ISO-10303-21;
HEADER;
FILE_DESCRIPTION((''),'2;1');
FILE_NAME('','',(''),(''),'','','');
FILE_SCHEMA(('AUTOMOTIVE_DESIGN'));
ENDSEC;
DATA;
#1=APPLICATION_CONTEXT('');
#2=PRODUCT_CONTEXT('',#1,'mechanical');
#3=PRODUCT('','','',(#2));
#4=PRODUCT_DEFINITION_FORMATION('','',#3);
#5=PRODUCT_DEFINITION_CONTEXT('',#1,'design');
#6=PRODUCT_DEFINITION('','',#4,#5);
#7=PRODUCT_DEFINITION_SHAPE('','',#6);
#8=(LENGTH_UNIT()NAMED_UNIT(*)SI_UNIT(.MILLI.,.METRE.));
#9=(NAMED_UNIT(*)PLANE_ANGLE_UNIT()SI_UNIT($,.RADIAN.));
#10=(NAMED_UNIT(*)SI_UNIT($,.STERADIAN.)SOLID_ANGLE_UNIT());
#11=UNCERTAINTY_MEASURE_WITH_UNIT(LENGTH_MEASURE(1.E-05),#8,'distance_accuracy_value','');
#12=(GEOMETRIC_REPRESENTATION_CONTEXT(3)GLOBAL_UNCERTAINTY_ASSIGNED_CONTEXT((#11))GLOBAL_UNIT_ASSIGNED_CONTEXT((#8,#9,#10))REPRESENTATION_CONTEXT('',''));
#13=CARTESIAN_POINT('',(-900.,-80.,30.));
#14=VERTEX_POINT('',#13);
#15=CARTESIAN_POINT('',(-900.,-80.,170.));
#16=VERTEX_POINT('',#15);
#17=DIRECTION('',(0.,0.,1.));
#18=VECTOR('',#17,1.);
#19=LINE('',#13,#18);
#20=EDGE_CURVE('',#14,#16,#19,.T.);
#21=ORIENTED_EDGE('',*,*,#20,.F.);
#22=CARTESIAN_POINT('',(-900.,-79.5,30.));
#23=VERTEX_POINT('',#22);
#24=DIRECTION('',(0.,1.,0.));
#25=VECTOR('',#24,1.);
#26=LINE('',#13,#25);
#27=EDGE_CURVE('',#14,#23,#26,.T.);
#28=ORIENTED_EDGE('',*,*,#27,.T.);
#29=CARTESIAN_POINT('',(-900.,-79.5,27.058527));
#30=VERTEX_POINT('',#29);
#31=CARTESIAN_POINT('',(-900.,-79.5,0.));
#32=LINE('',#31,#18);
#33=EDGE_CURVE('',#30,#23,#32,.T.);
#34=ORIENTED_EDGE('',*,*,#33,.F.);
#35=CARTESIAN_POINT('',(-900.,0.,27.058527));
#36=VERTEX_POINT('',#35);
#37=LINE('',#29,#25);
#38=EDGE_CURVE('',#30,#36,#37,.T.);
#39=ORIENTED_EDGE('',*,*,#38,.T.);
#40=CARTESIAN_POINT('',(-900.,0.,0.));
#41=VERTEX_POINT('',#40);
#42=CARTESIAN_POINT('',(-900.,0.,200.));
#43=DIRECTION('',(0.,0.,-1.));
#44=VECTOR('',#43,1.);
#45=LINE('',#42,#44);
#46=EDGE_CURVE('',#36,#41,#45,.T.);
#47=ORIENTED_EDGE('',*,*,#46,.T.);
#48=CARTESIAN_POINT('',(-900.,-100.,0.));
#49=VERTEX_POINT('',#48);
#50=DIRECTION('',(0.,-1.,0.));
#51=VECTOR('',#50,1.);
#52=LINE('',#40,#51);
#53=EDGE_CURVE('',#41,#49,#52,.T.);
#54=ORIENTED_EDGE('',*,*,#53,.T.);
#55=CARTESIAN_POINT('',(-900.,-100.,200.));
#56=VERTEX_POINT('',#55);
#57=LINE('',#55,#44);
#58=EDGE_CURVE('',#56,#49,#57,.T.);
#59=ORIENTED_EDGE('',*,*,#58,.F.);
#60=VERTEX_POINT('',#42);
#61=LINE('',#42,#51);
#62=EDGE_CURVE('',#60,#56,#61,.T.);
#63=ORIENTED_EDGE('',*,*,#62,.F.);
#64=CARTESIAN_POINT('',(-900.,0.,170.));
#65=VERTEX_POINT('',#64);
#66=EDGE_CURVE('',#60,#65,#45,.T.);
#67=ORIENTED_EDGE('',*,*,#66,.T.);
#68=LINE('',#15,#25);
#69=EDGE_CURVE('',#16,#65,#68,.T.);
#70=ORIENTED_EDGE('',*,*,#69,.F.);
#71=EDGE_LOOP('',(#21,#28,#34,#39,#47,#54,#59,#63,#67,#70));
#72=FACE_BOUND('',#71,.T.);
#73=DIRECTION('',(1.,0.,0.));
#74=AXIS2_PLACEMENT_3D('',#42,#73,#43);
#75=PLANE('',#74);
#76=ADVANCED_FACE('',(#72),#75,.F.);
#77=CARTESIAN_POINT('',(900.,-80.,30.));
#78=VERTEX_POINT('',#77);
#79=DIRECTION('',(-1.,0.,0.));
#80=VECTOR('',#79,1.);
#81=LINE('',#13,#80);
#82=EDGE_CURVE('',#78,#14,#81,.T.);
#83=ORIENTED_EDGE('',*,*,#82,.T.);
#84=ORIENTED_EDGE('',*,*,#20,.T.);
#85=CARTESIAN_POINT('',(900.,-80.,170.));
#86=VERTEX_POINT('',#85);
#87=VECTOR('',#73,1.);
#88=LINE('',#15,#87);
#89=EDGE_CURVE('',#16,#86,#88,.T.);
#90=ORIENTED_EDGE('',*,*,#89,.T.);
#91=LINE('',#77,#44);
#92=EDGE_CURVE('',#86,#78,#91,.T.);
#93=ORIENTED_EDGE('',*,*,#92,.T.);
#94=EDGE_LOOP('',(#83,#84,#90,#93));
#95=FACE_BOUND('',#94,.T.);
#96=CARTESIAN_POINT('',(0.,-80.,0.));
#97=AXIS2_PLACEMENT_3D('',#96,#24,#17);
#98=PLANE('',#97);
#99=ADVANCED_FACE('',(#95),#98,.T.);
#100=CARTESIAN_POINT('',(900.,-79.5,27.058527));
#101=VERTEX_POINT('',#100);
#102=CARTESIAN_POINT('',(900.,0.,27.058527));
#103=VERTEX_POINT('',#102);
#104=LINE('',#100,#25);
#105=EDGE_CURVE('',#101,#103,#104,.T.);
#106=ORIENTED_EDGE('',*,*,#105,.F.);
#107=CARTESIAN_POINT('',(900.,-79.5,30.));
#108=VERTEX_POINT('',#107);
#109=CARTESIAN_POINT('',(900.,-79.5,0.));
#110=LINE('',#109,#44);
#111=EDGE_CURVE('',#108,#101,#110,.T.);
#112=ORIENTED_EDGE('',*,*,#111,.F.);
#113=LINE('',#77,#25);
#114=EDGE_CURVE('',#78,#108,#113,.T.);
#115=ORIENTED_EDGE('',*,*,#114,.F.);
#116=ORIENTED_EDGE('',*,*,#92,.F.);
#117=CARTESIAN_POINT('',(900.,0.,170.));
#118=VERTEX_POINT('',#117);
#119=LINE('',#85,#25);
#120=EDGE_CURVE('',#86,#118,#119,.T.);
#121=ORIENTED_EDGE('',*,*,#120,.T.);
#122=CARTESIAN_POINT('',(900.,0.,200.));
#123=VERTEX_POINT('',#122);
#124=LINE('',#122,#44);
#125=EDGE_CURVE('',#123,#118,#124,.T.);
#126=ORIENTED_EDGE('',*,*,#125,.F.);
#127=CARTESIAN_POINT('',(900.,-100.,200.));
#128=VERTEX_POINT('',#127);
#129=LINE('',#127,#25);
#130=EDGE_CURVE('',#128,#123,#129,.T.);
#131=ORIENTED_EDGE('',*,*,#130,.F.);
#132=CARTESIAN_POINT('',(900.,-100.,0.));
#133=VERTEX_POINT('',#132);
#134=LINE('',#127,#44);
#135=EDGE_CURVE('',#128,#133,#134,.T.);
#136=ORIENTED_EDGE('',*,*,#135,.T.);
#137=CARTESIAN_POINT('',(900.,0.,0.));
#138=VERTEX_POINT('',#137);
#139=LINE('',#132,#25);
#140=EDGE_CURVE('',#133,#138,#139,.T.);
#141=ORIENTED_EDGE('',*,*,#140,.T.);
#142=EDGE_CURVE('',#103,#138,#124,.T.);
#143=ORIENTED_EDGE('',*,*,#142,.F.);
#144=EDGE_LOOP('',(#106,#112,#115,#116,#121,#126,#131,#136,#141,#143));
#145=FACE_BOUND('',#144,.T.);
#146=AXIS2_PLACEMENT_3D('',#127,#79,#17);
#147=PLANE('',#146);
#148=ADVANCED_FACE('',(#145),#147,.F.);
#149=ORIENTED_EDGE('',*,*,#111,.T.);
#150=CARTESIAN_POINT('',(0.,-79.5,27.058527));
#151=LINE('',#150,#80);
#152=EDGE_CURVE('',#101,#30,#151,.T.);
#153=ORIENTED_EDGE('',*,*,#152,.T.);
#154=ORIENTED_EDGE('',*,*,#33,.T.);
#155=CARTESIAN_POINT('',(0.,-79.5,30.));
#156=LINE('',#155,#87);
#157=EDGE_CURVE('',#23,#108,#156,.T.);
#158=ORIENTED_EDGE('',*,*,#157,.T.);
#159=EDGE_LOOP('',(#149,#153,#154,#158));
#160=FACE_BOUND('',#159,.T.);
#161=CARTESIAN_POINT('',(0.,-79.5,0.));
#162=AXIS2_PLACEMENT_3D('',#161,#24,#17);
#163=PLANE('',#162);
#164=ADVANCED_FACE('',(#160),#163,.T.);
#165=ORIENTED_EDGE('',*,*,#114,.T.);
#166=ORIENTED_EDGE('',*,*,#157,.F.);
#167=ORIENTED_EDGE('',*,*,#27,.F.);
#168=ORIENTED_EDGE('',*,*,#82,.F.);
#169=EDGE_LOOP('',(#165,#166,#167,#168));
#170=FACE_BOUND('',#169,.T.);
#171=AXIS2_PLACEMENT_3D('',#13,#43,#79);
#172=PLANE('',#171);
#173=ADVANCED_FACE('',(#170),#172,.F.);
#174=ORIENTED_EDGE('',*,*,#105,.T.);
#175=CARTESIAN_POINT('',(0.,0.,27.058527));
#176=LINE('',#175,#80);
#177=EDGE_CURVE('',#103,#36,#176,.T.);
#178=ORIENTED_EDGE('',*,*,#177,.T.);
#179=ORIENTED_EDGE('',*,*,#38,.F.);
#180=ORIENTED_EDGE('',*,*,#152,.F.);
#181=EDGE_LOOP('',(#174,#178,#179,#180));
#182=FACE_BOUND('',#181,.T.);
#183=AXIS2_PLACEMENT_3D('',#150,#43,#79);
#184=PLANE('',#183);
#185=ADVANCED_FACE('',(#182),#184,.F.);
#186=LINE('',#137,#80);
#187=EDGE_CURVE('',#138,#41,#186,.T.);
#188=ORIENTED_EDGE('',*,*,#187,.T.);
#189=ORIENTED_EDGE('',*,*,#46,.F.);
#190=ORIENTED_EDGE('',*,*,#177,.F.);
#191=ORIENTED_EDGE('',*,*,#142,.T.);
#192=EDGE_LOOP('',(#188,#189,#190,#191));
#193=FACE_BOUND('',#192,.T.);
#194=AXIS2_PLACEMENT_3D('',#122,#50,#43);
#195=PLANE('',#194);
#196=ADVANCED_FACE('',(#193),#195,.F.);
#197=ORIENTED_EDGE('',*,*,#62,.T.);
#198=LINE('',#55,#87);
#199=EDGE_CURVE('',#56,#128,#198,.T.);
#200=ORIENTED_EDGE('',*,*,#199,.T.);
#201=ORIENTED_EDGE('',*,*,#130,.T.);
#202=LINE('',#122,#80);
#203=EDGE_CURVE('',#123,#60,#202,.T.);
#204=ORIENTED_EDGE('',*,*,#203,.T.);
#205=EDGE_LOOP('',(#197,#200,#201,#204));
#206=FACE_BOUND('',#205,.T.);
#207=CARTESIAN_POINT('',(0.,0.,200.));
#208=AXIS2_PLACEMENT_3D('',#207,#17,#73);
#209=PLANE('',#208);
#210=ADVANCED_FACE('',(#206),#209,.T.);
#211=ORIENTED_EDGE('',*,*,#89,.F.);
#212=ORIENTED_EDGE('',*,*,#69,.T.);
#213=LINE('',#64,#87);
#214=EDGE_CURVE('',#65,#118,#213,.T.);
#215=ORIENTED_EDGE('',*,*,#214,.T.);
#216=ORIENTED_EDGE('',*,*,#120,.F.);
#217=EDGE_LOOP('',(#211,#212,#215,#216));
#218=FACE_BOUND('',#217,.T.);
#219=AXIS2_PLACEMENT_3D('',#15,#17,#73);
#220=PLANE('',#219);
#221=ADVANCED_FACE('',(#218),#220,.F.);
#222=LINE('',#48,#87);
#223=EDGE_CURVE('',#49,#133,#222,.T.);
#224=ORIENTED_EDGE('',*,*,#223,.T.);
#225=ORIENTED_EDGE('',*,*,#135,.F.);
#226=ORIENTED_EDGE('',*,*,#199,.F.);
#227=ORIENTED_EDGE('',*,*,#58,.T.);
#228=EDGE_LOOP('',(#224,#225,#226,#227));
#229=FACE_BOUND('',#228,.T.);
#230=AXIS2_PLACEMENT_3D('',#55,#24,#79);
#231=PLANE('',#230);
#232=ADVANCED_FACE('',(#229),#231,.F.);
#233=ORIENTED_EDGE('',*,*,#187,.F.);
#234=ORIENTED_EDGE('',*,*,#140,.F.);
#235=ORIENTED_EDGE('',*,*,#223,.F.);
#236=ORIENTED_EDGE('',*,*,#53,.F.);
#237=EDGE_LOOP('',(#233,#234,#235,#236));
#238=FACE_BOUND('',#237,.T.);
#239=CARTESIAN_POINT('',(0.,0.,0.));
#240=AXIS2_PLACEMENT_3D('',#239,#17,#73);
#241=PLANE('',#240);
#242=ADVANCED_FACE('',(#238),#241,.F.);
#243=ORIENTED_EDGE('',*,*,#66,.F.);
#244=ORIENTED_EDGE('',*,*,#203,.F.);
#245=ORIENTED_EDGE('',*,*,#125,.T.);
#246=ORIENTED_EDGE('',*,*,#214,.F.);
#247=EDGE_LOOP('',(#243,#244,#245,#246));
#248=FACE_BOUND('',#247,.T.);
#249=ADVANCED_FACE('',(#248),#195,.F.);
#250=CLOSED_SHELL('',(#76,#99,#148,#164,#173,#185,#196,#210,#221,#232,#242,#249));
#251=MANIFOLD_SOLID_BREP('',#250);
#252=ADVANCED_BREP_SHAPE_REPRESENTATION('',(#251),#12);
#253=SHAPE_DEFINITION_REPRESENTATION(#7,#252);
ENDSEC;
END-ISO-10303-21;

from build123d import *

# Parameters (mm, degrees)
ESQUISSE1_W             = 1800
ESQUISSE1_H             = 100
BOSS_EXTRU_1_DEPTH      = 200
ESQUISSE2_W             = 1800
ESQUISSE2_H             = 140
ENL_V_MAT_EXTRU_1_DEPTH = 80
ESQUISSE4_W             = 1800
ESQUISSE4_H             = 2.941473276
ENL_V_MAT_EXTRU_2_DEPTH = 79.5


with BuildPart() as part:
    # Esquisse1 → Boss.-Extru.1 (new body)
    with BuildSketch(Plane.XY):
        with Locations((0, -50)):
            Rectangle(ESQUISSE1_W, ESQUISSE1_H)
    extrude(amount=BOSS_EXTRU_1_DEPTH)

    # Esquisse2 → Enlèv. mat.-Extru.1 (cut)
    with BuildSketch(Plane(origin=(0, 0, 0), x_dir=(1, 0, 0), z_dir=(0, 1, 0))):
        with Locations((0, -100)):
            Rectangle(ESQUISSE2_W, ESQUISSE2_H)
    extrude(amount=-ENL_V_MAT_EXTRU_1_DEPTH, mode=Mode.SUBTRACT)

    # Esquisse4 → Enlèv. mat.-Extru.2 (cut)
    with BuildSketch(Plane(origin=(0, 0, 0), x_dir=(1, 0, 0), z_dir=(0, 1, 0))):
        with Locations((0, -28.529263362)):
            Rectangle(ESQUISSE4_W, ESQUISSE4_H)
    extrude(amount=-ENL_V_MAT_EXTRU_2_DEPTH, mode=Mode.SUBTRACT)


solid = part.part
